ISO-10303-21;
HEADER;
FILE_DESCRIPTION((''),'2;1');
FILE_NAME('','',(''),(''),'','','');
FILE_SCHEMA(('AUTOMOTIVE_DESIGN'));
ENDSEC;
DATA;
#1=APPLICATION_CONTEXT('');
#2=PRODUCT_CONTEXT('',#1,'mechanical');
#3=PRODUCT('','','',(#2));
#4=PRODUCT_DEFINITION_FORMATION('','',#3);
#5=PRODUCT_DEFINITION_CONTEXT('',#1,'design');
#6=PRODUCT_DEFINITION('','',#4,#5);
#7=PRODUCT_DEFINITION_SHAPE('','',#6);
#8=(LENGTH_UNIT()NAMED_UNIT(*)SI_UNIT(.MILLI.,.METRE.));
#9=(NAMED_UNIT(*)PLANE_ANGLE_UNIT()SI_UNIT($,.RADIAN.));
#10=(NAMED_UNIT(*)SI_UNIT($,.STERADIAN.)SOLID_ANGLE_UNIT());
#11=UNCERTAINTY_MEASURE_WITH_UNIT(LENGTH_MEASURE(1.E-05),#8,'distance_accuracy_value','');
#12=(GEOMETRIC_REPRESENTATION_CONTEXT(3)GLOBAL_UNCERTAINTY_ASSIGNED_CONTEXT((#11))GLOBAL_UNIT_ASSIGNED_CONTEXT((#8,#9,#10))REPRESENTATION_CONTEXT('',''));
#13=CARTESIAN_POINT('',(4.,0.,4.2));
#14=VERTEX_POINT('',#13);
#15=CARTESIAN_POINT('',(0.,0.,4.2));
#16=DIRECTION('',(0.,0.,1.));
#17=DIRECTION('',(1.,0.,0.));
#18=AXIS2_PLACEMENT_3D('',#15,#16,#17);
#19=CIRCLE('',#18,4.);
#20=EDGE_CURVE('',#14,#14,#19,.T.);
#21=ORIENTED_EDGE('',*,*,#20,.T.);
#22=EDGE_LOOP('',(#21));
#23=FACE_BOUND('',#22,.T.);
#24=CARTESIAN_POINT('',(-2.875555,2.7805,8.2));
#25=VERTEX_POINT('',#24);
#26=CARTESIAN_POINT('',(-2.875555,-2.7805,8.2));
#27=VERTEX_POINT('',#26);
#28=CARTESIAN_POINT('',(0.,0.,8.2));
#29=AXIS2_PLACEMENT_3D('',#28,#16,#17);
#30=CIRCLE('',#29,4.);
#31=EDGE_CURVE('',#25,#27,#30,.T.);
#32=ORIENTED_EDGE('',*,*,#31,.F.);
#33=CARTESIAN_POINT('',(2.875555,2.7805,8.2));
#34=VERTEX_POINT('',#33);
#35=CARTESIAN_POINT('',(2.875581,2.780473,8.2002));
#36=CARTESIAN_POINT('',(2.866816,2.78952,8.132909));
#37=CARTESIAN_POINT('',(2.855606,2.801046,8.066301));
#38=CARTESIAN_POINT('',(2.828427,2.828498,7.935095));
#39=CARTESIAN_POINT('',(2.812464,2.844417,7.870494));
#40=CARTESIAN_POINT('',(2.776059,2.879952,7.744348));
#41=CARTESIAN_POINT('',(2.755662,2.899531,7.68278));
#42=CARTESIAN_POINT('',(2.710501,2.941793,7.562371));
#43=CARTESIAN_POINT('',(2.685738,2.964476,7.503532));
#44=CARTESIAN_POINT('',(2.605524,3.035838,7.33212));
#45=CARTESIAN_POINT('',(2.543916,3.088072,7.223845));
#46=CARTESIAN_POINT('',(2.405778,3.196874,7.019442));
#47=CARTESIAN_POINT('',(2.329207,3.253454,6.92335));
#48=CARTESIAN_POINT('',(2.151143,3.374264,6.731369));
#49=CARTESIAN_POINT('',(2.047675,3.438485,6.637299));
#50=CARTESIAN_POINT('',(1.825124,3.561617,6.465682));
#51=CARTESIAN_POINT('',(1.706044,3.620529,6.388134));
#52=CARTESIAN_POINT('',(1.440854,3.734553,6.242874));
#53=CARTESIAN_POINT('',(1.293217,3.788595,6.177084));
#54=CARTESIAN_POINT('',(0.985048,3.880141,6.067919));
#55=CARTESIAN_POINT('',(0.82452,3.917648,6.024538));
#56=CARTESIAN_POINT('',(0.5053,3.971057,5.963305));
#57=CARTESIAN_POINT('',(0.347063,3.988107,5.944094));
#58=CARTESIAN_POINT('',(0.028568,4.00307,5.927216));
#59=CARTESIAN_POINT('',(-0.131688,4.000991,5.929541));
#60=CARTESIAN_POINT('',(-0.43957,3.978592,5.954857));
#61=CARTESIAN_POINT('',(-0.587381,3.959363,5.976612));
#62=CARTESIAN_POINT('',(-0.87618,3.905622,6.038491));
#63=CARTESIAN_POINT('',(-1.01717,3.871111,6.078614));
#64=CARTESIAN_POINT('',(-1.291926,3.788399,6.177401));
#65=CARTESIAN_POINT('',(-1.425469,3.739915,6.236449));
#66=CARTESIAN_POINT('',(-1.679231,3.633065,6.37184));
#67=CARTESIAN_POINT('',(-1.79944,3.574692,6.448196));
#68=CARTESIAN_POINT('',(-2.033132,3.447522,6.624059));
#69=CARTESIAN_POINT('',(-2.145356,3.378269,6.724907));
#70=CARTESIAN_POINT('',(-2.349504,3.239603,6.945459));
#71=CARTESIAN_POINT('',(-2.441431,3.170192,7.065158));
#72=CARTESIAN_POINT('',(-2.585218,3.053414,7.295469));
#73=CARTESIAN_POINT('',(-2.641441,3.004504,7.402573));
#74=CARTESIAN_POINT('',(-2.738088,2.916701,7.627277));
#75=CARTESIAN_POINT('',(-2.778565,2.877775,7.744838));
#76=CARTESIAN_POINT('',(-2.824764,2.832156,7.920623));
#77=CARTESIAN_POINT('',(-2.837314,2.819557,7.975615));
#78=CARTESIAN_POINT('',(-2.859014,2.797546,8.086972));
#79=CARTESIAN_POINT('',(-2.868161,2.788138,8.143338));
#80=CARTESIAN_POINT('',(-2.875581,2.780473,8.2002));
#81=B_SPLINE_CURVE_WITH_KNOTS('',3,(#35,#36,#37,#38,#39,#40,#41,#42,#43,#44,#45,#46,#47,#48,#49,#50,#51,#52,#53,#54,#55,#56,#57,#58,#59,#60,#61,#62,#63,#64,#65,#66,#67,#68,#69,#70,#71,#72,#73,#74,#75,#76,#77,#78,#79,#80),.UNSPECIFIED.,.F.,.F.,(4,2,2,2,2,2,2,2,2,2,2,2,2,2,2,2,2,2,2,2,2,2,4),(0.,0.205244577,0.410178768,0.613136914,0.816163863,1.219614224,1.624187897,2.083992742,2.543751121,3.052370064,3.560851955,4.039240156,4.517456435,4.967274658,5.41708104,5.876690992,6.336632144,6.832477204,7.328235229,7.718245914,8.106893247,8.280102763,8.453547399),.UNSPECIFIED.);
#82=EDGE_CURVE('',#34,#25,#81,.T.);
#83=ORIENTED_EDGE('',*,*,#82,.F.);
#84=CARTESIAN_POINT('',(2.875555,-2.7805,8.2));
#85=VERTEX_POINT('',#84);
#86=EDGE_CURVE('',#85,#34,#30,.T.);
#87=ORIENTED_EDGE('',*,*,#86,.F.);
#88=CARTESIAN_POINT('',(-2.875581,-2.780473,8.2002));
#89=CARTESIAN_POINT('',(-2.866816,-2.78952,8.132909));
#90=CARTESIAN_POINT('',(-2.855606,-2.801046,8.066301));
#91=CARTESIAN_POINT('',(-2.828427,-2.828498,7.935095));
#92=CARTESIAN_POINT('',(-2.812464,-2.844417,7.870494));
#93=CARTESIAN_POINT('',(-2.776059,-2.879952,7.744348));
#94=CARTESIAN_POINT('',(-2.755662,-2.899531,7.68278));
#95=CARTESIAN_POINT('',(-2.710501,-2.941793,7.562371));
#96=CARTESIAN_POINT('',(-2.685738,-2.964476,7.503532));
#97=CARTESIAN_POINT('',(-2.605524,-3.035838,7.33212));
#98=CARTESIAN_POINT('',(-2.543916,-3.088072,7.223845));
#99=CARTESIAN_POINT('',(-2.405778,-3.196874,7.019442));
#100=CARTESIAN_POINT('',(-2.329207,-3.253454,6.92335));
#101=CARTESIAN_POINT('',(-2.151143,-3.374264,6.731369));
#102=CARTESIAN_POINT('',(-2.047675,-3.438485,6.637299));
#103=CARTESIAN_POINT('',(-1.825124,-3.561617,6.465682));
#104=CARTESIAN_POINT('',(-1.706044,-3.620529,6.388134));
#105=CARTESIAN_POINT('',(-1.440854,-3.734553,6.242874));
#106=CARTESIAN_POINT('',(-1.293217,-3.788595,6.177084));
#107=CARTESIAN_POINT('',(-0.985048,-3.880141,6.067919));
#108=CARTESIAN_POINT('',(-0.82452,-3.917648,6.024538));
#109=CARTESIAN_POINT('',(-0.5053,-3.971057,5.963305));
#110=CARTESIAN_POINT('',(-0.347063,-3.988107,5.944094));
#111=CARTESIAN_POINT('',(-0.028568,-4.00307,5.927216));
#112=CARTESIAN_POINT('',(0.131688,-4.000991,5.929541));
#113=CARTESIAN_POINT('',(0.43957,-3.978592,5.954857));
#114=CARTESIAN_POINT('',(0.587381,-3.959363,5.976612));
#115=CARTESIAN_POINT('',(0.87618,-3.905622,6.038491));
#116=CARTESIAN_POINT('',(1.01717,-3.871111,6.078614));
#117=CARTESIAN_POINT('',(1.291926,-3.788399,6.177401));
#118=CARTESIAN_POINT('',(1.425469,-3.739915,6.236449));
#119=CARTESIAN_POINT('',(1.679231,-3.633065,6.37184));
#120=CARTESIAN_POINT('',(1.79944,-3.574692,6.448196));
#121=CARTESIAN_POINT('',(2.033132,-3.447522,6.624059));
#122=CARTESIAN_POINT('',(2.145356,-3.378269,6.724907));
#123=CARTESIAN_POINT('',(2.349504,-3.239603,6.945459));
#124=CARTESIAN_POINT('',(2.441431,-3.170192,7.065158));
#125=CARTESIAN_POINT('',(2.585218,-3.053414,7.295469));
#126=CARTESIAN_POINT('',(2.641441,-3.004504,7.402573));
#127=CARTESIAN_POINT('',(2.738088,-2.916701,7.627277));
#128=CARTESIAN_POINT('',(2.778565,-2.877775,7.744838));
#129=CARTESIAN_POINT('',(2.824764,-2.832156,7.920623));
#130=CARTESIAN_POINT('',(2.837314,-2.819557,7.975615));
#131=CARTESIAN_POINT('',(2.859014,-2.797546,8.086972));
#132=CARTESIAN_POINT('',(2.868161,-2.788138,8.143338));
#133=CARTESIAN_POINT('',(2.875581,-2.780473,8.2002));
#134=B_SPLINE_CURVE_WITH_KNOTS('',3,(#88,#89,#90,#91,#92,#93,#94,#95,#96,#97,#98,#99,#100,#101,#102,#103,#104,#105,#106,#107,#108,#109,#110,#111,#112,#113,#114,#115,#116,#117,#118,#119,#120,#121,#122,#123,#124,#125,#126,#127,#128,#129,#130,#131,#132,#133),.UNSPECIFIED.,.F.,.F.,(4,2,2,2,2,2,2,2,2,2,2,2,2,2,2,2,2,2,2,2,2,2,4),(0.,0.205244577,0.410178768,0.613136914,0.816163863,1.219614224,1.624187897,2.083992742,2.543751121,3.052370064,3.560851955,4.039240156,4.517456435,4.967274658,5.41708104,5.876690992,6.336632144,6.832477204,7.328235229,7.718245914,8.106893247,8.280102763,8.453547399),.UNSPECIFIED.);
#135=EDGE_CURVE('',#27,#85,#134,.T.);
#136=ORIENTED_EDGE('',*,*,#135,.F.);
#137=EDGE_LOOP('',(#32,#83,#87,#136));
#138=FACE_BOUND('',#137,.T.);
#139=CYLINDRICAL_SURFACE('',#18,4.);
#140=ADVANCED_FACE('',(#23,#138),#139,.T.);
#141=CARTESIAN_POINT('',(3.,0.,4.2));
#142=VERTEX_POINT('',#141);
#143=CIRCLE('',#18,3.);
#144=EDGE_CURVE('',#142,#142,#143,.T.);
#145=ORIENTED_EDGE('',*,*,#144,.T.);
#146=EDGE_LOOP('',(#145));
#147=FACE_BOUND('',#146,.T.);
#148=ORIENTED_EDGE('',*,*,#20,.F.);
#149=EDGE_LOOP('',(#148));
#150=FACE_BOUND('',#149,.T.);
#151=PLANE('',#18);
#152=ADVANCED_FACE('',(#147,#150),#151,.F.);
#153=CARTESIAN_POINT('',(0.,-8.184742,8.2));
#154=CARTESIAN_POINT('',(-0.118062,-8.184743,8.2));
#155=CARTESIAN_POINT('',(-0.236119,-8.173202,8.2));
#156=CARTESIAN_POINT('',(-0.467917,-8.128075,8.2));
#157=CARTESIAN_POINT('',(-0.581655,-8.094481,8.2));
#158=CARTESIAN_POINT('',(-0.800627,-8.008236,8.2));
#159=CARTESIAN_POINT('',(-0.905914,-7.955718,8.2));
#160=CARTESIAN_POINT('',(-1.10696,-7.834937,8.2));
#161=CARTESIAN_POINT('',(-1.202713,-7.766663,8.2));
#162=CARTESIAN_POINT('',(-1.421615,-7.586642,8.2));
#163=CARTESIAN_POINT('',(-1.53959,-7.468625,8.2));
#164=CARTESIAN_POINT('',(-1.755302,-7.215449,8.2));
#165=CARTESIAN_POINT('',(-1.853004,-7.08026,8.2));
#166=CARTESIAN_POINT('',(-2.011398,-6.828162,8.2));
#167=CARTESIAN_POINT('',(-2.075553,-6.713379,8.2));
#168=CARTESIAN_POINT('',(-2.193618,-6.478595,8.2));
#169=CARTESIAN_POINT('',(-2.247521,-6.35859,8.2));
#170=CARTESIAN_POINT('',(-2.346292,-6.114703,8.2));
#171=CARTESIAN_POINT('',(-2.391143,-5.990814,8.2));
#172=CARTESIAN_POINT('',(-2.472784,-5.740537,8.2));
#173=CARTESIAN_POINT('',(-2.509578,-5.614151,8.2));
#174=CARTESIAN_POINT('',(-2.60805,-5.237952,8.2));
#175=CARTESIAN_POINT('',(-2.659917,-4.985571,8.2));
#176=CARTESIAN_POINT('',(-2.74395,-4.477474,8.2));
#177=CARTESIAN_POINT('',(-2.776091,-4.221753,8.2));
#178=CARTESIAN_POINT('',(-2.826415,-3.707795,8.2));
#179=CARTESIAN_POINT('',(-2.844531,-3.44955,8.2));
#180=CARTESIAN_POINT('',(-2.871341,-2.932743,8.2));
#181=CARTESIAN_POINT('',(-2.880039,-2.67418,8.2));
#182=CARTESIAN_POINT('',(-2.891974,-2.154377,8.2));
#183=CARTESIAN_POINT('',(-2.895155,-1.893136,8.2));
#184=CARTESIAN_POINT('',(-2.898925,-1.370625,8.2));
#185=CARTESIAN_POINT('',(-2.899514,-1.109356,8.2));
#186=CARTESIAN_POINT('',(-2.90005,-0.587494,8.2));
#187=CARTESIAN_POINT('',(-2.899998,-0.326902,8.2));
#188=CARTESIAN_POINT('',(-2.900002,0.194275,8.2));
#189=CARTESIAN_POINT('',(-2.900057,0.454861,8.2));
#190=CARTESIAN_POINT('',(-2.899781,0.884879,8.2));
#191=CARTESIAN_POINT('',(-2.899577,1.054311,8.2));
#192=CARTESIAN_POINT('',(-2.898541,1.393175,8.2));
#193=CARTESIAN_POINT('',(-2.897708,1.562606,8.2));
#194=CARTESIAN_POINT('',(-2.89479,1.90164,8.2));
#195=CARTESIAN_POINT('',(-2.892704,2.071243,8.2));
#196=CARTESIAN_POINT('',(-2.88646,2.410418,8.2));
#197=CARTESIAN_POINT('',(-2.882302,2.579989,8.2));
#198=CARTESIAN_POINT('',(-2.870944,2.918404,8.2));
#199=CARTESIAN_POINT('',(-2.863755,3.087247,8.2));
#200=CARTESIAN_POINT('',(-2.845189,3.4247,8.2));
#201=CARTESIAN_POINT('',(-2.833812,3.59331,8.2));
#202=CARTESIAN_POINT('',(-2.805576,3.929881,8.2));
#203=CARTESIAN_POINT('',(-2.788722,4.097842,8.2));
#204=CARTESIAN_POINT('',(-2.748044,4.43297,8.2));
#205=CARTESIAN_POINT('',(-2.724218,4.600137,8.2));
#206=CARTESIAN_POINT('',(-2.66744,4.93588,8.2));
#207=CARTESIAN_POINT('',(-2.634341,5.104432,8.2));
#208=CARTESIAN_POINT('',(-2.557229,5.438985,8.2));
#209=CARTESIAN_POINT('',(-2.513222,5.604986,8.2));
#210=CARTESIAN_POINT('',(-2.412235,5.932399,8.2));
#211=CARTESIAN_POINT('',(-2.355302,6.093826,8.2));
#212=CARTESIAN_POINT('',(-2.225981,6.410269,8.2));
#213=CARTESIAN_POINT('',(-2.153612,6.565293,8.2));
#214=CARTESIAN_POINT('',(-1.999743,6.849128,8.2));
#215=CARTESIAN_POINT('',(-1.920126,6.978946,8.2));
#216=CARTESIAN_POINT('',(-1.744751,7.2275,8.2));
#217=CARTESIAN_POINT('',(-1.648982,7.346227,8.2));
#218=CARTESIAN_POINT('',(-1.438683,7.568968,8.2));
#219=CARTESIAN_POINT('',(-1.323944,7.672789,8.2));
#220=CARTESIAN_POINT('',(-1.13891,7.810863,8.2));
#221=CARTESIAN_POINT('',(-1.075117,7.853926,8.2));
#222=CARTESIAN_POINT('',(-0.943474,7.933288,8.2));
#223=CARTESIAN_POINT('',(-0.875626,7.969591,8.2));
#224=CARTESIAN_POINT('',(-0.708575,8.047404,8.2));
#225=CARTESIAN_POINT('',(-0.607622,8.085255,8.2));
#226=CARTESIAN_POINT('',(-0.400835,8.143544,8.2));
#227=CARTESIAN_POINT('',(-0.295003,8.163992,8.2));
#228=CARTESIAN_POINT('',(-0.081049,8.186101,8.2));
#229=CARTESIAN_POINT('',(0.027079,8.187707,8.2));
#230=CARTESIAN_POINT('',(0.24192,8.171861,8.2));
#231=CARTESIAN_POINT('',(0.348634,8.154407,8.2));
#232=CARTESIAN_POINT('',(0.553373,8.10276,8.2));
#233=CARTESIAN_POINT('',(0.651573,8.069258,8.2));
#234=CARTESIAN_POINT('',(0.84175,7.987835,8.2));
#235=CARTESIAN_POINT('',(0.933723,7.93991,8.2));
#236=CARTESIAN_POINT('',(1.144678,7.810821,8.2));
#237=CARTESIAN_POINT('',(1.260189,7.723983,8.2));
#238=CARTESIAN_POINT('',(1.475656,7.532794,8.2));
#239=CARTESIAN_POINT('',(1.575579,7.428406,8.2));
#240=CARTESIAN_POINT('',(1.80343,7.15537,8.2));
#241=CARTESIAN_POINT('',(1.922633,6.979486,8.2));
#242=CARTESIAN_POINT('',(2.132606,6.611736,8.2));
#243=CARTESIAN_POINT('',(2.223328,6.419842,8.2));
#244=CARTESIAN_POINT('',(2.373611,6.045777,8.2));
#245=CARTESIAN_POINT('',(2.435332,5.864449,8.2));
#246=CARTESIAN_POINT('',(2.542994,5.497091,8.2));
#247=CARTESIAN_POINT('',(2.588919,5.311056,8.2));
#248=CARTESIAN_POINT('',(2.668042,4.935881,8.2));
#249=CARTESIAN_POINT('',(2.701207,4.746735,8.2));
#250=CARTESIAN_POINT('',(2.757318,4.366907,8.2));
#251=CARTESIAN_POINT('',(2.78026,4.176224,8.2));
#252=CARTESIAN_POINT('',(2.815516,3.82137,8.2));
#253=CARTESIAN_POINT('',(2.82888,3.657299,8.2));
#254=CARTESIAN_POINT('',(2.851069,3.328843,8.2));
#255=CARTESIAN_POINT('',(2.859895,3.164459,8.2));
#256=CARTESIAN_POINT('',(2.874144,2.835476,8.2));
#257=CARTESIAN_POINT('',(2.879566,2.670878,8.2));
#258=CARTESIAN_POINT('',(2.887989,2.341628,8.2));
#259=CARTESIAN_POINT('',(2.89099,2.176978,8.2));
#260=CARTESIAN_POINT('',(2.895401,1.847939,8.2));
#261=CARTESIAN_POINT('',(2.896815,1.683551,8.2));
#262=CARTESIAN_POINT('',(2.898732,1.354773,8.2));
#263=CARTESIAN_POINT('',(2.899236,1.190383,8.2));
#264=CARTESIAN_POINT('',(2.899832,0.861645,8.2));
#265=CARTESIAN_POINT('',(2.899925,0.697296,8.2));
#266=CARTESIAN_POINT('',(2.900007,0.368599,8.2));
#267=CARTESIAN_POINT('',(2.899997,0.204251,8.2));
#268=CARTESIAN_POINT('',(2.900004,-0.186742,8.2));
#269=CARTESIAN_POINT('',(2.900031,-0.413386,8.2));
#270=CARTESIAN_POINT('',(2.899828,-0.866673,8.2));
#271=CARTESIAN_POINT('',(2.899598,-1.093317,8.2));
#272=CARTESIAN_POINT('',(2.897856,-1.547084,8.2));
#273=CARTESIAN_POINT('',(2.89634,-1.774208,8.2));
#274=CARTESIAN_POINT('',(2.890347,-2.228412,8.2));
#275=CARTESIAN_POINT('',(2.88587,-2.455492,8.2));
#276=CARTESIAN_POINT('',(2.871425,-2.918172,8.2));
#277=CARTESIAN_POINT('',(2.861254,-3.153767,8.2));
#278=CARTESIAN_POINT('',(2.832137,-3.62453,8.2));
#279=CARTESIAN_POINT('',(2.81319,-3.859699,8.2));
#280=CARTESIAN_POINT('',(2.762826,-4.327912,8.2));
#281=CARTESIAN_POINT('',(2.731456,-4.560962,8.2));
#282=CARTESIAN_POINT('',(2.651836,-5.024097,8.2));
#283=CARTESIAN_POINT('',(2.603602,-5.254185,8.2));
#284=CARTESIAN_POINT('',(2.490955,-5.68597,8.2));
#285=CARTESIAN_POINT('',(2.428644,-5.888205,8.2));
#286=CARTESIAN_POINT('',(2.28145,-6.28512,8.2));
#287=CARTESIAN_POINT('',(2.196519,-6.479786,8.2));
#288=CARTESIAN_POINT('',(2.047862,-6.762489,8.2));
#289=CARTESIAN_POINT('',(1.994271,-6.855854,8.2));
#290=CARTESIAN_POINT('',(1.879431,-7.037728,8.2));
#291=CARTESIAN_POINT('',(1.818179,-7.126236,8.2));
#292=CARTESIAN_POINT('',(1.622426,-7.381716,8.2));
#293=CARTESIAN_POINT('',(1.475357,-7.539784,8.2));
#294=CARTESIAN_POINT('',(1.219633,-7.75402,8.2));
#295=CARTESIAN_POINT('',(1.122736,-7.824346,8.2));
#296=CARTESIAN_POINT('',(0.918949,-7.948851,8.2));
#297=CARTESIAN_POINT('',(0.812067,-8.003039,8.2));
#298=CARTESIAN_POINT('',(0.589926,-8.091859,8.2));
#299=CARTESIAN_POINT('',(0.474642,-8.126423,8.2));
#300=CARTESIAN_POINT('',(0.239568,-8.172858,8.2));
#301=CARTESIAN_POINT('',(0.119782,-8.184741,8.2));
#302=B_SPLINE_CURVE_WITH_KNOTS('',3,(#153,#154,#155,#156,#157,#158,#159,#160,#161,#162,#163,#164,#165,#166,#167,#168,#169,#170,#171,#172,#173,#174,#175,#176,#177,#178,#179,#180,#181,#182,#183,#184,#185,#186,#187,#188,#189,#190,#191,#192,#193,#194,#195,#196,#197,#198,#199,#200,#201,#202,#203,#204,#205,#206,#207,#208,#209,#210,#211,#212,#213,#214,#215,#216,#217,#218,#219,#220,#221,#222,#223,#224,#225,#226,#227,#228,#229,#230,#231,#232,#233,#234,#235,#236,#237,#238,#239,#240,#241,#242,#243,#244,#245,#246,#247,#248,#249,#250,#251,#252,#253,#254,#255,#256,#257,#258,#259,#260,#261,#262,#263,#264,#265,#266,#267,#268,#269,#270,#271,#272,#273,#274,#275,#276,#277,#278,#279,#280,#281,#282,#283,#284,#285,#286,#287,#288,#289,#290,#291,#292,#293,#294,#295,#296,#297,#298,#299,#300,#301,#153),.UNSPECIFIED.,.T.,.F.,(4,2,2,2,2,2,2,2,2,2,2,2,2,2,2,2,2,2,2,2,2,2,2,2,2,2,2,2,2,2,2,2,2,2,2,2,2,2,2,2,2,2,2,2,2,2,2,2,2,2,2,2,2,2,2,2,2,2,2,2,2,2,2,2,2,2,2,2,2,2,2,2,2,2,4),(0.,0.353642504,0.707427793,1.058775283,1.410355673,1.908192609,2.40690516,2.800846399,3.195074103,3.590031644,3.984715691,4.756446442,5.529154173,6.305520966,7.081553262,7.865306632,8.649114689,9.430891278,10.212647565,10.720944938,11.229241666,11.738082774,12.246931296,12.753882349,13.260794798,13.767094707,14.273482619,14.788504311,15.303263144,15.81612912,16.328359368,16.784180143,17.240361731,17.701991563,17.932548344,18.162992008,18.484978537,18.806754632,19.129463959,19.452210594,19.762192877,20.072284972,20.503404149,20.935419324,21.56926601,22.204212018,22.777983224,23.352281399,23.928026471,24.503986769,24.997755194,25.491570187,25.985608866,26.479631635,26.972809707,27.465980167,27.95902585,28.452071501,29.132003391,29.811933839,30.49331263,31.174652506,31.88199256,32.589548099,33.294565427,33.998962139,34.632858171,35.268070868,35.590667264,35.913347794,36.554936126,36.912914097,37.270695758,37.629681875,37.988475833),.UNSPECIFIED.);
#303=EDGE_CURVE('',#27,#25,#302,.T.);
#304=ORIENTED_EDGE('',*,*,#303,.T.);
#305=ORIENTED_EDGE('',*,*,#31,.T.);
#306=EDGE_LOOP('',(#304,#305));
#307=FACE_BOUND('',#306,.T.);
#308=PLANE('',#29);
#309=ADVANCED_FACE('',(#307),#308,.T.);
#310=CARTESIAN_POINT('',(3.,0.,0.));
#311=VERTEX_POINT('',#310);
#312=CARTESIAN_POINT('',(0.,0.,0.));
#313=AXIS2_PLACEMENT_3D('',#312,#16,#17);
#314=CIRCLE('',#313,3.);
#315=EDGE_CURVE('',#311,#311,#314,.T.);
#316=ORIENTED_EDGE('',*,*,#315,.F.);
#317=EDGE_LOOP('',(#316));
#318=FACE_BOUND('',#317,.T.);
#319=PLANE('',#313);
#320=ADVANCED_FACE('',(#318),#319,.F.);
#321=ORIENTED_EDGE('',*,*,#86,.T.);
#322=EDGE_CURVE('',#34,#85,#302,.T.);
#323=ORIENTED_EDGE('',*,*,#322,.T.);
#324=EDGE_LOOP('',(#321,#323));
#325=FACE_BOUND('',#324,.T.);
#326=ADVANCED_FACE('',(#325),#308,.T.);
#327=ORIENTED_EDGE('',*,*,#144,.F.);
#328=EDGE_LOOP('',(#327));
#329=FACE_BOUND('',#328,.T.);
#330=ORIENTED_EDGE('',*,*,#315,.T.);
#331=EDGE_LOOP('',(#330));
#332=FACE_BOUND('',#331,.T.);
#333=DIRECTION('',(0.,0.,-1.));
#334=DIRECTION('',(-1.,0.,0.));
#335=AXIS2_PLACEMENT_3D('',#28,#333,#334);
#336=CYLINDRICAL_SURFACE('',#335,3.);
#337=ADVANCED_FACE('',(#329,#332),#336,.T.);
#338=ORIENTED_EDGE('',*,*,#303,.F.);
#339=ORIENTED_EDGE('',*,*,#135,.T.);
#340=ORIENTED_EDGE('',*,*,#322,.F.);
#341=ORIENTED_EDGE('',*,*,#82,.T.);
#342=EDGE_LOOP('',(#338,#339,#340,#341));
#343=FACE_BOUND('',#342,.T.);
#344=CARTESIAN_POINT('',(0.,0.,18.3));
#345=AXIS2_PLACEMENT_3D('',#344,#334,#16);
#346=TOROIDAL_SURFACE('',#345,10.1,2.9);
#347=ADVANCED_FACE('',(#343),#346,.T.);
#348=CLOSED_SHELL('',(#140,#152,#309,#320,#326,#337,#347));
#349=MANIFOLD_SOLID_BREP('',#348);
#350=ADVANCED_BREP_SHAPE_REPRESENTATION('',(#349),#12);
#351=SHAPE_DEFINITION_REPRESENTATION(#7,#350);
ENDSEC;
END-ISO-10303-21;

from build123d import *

# Parameters (mm, degrees)
SKETCH_1_R      = 3
EXTRUDE_1_DEPTH = 8.2
SKETCH_3_R      = 2.9
SKETCH_4_R      = 4
EXTRUDE_2_DEPTH = 4


with BuildPart() as part:
    # ｽｹｯﾁ1 → ﾎﾞｽ - 押し出し1 (new body)
    with BuildSketch(Plane.XY):
        Circle(SKETCH_1_R)
    extrude(amount=EXTRUDE_1_DEPTH)

    # ｽｲｰﾌﾟ1: sweep along a path in ｽｹｯﾁ2
    with BuildLine(Plane(origin=(0, 0, 0), x_dir=(0, 0, -1), z_dir=(1, 0, 0))) as sweep_1_path:
        CenterArc((-18.3, 0), 10.1, 0, 360)
    # ｽｹｯﾁ3 → ｽｲｰﾌﾟ1 (sweep)
    with BuildSketch(Plane(origin=(0, 0, 0), x_dir=(1, 0, 0), z_dir=(0, 1, 0))):
        with Locations((0, -8.2)):
            Circle(SKETCH_3_R)
    sweep(path=sweep_1_path.line)

    # ｽｹｯﾁ4 → ﾎﾞｽ - 押し出し2 (add)
    with BuildSketch(Plane.XY.offset(8.2)):
        Circle(SKETCH_4_R)
    extrude(amount=-EXTRUDE_2_DEPTH)


solid = part.part
